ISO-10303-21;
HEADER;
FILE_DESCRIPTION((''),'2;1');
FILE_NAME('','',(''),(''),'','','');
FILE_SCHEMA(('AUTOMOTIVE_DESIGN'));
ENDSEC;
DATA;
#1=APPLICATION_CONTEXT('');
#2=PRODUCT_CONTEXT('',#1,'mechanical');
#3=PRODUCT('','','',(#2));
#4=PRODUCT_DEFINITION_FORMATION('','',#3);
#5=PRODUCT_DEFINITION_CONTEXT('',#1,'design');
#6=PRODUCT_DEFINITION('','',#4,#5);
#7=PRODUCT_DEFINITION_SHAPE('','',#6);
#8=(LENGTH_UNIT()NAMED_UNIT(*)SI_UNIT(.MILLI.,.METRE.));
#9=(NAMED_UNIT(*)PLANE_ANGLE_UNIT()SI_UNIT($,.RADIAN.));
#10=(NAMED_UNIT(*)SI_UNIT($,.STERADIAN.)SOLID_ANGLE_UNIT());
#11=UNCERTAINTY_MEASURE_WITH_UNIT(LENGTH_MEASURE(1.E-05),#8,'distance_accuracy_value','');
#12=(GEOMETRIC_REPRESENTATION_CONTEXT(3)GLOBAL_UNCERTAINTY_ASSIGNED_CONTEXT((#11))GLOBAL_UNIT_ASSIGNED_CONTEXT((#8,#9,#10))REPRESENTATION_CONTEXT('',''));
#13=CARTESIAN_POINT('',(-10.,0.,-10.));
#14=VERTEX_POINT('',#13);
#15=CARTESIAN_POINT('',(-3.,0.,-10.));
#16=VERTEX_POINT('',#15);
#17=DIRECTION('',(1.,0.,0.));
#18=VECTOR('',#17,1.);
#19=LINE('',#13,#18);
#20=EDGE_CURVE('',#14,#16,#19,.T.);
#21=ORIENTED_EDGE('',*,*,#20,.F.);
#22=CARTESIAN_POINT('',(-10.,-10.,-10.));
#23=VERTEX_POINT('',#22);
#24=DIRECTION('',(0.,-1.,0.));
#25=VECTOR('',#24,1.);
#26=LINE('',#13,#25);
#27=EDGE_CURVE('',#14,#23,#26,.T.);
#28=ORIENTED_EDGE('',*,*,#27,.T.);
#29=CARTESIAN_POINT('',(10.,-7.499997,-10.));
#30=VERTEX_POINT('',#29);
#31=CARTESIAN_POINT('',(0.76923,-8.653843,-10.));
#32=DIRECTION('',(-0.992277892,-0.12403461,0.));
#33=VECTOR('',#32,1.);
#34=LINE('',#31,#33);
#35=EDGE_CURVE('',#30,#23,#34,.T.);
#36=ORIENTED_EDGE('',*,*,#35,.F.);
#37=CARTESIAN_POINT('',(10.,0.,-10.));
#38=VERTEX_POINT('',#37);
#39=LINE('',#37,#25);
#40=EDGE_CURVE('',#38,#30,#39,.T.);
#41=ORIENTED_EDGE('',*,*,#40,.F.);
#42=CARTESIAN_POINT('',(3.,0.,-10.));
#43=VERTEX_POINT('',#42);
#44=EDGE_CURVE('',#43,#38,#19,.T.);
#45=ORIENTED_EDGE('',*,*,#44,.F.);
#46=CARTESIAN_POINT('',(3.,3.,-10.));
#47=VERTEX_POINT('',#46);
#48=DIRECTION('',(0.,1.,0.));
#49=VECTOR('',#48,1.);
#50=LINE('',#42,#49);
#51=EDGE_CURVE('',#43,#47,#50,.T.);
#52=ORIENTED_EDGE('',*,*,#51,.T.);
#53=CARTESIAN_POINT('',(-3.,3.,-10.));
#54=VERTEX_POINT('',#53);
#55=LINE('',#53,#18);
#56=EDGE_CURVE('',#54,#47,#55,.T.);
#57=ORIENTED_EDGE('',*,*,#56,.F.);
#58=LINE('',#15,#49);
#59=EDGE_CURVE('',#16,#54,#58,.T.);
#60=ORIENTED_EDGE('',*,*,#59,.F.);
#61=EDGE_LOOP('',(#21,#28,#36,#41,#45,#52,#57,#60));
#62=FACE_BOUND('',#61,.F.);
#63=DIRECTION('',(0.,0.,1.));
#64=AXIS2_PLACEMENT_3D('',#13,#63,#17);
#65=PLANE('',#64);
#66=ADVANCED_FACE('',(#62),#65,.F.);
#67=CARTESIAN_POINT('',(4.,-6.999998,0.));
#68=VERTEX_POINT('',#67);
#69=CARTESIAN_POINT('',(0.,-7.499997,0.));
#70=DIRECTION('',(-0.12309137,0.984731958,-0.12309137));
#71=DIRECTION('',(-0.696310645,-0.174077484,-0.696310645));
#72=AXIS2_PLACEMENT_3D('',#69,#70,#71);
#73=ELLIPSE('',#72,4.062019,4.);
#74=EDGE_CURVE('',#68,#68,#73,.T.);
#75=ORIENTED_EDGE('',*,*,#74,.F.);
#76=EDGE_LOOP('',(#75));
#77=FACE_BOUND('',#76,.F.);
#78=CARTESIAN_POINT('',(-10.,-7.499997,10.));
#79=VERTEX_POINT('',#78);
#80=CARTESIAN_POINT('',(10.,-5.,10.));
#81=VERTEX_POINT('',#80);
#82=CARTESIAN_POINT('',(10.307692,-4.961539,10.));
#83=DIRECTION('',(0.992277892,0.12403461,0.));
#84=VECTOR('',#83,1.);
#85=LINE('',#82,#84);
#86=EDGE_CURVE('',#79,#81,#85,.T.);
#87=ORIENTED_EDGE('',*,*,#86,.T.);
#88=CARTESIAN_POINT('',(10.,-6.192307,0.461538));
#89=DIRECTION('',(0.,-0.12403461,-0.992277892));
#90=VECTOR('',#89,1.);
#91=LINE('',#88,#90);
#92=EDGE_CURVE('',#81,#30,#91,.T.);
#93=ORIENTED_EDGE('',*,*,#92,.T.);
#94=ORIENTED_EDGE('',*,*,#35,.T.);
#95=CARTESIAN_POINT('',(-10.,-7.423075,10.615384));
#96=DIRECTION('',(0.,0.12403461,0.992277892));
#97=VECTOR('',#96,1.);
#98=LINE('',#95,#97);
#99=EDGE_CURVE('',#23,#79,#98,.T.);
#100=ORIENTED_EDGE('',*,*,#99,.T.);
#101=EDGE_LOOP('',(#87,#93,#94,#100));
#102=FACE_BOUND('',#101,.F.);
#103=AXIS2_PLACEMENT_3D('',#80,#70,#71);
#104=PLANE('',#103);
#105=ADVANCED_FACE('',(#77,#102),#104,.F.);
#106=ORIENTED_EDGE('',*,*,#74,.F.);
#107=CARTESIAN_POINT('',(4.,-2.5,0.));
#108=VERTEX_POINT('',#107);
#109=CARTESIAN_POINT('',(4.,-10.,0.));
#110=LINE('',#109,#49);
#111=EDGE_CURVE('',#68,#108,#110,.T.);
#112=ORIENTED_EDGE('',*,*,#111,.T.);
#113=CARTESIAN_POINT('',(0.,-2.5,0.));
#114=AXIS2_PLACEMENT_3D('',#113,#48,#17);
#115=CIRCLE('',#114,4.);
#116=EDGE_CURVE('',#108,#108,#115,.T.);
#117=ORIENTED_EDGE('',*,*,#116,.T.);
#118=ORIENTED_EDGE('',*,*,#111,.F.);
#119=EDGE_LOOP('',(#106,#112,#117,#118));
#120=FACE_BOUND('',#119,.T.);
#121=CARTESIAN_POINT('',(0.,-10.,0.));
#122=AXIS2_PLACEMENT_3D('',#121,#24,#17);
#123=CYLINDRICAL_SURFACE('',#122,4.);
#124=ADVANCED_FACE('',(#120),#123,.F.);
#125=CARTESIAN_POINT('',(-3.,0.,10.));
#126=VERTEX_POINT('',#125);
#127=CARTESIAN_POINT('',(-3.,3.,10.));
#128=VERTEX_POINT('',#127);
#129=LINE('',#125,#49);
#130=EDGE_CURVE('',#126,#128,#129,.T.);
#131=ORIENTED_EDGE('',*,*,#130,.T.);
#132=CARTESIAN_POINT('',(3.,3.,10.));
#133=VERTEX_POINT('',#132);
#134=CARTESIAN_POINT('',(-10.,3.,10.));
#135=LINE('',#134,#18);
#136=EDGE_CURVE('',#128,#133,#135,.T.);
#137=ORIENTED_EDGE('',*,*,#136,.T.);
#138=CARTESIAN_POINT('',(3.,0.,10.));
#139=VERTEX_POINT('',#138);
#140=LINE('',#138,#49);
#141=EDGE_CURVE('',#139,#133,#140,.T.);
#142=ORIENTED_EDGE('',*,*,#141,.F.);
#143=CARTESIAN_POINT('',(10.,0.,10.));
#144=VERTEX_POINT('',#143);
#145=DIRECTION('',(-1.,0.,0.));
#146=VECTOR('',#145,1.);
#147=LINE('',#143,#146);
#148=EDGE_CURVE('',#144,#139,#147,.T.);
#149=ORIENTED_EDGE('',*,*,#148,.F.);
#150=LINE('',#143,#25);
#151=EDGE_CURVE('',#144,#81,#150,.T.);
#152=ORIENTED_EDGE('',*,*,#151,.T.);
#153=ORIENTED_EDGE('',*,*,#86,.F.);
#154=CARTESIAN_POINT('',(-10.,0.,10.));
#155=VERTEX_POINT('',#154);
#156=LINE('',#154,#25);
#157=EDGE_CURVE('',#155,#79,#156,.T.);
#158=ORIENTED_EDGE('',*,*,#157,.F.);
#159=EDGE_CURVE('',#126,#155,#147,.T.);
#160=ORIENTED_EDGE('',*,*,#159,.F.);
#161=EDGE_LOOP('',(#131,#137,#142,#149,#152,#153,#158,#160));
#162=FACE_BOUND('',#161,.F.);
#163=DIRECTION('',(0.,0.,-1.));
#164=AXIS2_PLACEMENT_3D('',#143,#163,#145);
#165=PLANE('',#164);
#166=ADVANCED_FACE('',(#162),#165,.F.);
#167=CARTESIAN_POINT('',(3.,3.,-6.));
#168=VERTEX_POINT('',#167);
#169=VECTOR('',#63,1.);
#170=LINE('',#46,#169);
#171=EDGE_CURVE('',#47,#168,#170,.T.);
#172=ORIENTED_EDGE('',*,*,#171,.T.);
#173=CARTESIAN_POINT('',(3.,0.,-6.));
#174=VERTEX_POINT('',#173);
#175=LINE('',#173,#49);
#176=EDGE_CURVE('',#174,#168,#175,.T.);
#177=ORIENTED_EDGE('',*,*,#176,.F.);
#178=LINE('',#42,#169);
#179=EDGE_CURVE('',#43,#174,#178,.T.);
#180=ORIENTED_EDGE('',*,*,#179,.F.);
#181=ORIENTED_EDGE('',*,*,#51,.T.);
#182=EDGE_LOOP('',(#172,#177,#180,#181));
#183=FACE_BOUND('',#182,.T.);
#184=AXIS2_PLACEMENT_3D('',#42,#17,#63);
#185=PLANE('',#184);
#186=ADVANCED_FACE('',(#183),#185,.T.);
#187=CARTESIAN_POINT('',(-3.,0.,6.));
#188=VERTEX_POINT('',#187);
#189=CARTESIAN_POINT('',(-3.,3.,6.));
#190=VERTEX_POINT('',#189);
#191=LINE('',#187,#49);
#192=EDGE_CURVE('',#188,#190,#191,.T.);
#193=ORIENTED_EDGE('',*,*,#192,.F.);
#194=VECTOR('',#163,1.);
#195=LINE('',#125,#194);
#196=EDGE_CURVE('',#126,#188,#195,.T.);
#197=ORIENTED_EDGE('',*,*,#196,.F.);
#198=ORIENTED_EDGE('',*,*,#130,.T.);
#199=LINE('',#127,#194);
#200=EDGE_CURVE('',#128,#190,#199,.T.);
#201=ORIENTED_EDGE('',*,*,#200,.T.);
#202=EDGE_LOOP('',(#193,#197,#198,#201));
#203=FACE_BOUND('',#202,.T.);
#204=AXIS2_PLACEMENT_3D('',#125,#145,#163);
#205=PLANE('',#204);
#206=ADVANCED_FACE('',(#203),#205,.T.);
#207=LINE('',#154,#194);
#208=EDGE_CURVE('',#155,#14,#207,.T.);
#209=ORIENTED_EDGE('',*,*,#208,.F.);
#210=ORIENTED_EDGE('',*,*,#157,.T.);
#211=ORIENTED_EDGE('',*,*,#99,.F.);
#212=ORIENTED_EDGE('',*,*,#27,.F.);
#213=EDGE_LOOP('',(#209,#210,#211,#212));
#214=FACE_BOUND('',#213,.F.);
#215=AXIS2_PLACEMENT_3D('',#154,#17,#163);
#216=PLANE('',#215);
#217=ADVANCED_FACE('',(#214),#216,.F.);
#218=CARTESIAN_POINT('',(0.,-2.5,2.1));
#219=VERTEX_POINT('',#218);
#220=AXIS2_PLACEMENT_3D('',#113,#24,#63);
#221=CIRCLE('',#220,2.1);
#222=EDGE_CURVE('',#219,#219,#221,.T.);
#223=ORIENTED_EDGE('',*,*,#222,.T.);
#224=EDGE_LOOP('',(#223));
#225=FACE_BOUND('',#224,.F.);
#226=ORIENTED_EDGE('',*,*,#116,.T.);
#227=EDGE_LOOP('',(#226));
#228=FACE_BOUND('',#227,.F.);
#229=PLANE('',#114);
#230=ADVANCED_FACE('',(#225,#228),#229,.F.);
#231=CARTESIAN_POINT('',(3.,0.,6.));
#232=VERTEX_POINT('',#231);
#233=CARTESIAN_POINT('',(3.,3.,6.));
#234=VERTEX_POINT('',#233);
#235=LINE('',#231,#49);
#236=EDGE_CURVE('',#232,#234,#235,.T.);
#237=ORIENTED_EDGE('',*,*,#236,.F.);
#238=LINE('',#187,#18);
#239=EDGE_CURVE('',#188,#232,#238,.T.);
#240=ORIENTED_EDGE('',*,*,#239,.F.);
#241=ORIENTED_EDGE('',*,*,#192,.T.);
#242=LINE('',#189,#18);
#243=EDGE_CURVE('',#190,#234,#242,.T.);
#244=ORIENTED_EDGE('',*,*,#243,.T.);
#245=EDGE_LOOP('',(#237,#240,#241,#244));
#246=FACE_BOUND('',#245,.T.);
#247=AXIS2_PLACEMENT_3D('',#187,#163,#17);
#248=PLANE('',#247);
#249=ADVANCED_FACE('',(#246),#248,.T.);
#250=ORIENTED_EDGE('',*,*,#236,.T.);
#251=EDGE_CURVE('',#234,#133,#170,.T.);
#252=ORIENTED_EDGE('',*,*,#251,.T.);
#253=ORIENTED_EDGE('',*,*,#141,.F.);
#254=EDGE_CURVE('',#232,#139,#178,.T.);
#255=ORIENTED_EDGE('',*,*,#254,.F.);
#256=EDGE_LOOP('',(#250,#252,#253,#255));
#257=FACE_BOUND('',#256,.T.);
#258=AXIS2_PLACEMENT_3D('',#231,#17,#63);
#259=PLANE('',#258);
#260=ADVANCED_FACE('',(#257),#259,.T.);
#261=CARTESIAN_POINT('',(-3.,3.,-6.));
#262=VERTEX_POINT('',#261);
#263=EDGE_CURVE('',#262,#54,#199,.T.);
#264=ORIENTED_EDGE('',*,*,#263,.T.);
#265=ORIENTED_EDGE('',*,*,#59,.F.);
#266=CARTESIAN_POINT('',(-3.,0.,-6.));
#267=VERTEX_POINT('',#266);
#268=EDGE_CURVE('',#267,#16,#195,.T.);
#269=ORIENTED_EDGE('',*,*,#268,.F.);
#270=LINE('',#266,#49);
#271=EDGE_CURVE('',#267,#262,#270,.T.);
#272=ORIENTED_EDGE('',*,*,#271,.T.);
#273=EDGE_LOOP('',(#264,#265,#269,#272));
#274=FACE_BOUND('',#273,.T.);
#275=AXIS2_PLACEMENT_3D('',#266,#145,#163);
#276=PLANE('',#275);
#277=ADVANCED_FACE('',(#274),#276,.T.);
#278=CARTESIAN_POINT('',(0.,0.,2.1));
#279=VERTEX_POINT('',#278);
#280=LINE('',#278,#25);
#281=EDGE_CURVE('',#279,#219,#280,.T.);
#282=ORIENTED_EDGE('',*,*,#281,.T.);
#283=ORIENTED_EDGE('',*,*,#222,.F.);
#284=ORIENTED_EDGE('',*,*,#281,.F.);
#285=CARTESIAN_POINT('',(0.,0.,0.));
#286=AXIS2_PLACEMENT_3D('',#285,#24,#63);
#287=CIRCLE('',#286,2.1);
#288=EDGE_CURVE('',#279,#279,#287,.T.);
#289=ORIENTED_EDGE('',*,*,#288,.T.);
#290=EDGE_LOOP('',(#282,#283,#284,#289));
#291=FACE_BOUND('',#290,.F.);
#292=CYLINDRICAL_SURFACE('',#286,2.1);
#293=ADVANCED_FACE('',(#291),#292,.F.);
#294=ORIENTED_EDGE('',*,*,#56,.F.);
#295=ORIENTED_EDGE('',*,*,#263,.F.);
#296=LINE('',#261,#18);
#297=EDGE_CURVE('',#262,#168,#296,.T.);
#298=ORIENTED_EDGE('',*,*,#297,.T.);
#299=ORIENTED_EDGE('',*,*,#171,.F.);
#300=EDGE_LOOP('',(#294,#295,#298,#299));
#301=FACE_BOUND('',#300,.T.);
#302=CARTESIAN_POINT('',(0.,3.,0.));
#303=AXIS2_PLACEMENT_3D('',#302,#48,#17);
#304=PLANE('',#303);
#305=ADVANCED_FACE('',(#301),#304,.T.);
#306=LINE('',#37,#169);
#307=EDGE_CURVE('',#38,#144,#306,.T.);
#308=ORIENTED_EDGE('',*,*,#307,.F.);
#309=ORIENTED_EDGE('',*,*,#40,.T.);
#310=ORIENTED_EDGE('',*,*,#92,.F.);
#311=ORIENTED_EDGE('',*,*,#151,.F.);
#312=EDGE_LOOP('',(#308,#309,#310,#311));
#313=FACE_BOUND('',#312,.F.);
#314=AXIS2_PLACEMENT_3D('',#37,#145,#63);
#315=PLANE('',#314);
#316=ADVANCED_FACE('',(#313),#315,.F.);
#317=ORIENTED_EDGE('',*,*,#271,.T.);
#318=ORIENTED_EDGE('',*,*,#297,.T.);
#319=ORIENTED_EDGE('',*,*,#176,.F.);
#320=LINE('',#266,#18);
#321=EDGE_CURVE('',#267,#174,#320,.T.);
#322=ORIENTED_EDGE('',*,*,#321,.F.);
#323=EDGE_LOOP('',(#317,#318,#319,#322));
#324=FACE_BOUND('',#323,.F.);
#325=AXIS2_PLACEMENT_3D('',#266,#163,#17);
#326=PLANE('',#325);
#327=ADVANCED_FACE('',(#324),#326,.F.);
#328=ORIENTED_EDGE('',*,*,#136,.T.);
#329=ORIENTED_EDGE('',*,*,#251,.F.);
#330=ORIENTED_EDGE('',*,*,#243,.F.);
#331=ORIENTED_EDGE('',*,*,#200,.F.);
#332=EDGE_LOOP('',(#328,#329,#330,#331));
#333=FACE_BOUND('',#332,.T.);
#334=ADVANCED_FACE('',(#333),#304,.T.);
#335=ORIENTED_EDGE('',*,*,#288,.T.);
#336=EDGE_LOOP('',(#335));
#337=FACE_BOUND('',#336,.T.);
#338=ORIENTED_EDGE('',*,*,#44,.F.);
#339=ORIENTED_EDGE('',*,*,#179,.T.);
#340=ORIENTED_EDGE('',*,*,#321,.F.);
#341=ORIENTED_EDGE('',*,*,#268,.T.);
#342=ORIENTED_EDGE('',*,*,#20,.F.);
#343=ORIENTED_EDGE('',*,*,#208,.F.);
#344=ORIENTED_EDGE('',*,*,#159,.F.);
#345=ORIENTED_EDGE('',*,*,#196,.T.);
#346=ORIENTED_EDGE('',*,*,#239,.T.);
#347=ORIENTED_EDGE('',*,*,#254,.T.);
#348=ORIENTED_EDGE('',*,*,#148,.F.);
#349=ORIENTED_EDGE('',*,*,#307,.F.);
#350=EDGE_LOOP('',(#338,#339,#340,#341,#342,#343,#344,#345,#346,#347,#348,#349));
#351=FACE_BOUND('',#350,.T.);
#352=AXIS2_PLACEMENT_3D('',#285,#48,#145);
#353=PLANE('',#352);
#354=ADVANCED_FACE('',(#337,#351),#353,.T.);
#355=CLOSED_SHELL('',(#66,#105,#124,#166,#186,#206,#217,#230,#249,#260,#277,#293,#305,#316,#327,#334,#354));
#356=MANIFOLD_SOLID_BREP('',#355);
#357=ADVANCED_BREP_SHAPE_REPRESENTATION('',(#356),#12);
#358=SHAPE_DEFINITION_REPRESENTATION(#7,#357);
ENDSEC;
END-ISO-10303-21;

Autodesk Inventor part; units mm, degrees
ref_plane "YZ Plane" through (0, 0, 0) normal (1, 0, 0) x (0, 1, 0)
sketch "Sketch1" plane through (0, 0, 0) normal (0, 1, 0) x (-1, 0, 0)
  line L0 (10, -10) -> (-10, -10)
  line L1 (-10, -10) -> (-10, 10)
  line L2 (-10, 10) -> (10, 10)
  line L3 (10, 10) -> (10, -10)
  dimension "d0" = 20
  dimension "d1" = 20
extrude "Main Body Extrusion" add sketch "Sketch1" against normal blind 10
ref_plane "Work Plane1" through (10, 0, 10) normal (0.7071, 0, -0.7071) x (0, -1, 0)
sketch "Sketch2" plane through (10, 0, 10) normal (0.7071, 0, -0.7071) x (0, -1, 0)
  line L0 (0, 0) -> (10, 0) projected
  line L1 (10, 14.1421) -> (10, 28.2843) projected
  line L2 (5, 0) -> (10, 28.2843)
  line L3 (5, 0) -> (10, 0)
  line L4 (10, 0) -> (10, 14.1421) projected
  line L5 (10, 14.1421) -> (10, 0)
  point P0 (0, 14.1421)
extrude "Slanted Cut" cut sketch "Sketch2" along normal through all both and the other way through all
sketch "Sketch3" plane through (0, 0, 0) normal (0, 1, 0) x (1, 0, 0)
  point P0 (0, 0)
  point P1 (0, 0)
hole "Screw Hole" at (0, 0, 0) direction (0, -1, 0) diameter 4.2 end through all
ref_plane "Work Plane2" through (0, -10, 0) normal (0, 1, 0) x (1, 0, 0)
sketch "Sketch4" plane through (0, -10, 0) normal (0, 1, 0) x (1, 0, 0)
  circle A0 centre (0, 0) radius 4
  dimension "d14" = 8
extrude "Counterbore for Screw Hole" cut sketch "Sketch4" along normal blind 7.5
sketch "Sketch5" plane through (0, 0, 0) normal (0, 1, 0) x (1, 0, 0)
  line L0 (-10, -10) -> (10, -10) projected
  line L1 (3, -10) -> (-3, -10)
  line L2 (-3, -10) -> (-3, 10)
  line L3 (-3, 10) -> (3, 10)
  line L4 (3, 10) -> (3, -10)
  circle A0 centre (0, 0) radius 2.1 projected
  line L5 (3, 10) -> (-3, 10)
  line L6 (-3, 10) -> (-3, 6)
  line L7 (-3, 6) -> (3, 6)
  line L8 (3, 6) -> (3, 10)
  line L9 (3, -10) -> (-3, -10)
  line L10 (-3, -10) -> (-3, -6)
  line L11 (-3, -6) -> (3, -6)
  line L12 (3, -6) -> (3, -10)
extrude "Alignment Extrusion" add sketch "Sketch5" along normal blind 3 contours L2 L11 L4 L0 | L2 L3 L4 L7
properties part number "corner_3DPrint"
